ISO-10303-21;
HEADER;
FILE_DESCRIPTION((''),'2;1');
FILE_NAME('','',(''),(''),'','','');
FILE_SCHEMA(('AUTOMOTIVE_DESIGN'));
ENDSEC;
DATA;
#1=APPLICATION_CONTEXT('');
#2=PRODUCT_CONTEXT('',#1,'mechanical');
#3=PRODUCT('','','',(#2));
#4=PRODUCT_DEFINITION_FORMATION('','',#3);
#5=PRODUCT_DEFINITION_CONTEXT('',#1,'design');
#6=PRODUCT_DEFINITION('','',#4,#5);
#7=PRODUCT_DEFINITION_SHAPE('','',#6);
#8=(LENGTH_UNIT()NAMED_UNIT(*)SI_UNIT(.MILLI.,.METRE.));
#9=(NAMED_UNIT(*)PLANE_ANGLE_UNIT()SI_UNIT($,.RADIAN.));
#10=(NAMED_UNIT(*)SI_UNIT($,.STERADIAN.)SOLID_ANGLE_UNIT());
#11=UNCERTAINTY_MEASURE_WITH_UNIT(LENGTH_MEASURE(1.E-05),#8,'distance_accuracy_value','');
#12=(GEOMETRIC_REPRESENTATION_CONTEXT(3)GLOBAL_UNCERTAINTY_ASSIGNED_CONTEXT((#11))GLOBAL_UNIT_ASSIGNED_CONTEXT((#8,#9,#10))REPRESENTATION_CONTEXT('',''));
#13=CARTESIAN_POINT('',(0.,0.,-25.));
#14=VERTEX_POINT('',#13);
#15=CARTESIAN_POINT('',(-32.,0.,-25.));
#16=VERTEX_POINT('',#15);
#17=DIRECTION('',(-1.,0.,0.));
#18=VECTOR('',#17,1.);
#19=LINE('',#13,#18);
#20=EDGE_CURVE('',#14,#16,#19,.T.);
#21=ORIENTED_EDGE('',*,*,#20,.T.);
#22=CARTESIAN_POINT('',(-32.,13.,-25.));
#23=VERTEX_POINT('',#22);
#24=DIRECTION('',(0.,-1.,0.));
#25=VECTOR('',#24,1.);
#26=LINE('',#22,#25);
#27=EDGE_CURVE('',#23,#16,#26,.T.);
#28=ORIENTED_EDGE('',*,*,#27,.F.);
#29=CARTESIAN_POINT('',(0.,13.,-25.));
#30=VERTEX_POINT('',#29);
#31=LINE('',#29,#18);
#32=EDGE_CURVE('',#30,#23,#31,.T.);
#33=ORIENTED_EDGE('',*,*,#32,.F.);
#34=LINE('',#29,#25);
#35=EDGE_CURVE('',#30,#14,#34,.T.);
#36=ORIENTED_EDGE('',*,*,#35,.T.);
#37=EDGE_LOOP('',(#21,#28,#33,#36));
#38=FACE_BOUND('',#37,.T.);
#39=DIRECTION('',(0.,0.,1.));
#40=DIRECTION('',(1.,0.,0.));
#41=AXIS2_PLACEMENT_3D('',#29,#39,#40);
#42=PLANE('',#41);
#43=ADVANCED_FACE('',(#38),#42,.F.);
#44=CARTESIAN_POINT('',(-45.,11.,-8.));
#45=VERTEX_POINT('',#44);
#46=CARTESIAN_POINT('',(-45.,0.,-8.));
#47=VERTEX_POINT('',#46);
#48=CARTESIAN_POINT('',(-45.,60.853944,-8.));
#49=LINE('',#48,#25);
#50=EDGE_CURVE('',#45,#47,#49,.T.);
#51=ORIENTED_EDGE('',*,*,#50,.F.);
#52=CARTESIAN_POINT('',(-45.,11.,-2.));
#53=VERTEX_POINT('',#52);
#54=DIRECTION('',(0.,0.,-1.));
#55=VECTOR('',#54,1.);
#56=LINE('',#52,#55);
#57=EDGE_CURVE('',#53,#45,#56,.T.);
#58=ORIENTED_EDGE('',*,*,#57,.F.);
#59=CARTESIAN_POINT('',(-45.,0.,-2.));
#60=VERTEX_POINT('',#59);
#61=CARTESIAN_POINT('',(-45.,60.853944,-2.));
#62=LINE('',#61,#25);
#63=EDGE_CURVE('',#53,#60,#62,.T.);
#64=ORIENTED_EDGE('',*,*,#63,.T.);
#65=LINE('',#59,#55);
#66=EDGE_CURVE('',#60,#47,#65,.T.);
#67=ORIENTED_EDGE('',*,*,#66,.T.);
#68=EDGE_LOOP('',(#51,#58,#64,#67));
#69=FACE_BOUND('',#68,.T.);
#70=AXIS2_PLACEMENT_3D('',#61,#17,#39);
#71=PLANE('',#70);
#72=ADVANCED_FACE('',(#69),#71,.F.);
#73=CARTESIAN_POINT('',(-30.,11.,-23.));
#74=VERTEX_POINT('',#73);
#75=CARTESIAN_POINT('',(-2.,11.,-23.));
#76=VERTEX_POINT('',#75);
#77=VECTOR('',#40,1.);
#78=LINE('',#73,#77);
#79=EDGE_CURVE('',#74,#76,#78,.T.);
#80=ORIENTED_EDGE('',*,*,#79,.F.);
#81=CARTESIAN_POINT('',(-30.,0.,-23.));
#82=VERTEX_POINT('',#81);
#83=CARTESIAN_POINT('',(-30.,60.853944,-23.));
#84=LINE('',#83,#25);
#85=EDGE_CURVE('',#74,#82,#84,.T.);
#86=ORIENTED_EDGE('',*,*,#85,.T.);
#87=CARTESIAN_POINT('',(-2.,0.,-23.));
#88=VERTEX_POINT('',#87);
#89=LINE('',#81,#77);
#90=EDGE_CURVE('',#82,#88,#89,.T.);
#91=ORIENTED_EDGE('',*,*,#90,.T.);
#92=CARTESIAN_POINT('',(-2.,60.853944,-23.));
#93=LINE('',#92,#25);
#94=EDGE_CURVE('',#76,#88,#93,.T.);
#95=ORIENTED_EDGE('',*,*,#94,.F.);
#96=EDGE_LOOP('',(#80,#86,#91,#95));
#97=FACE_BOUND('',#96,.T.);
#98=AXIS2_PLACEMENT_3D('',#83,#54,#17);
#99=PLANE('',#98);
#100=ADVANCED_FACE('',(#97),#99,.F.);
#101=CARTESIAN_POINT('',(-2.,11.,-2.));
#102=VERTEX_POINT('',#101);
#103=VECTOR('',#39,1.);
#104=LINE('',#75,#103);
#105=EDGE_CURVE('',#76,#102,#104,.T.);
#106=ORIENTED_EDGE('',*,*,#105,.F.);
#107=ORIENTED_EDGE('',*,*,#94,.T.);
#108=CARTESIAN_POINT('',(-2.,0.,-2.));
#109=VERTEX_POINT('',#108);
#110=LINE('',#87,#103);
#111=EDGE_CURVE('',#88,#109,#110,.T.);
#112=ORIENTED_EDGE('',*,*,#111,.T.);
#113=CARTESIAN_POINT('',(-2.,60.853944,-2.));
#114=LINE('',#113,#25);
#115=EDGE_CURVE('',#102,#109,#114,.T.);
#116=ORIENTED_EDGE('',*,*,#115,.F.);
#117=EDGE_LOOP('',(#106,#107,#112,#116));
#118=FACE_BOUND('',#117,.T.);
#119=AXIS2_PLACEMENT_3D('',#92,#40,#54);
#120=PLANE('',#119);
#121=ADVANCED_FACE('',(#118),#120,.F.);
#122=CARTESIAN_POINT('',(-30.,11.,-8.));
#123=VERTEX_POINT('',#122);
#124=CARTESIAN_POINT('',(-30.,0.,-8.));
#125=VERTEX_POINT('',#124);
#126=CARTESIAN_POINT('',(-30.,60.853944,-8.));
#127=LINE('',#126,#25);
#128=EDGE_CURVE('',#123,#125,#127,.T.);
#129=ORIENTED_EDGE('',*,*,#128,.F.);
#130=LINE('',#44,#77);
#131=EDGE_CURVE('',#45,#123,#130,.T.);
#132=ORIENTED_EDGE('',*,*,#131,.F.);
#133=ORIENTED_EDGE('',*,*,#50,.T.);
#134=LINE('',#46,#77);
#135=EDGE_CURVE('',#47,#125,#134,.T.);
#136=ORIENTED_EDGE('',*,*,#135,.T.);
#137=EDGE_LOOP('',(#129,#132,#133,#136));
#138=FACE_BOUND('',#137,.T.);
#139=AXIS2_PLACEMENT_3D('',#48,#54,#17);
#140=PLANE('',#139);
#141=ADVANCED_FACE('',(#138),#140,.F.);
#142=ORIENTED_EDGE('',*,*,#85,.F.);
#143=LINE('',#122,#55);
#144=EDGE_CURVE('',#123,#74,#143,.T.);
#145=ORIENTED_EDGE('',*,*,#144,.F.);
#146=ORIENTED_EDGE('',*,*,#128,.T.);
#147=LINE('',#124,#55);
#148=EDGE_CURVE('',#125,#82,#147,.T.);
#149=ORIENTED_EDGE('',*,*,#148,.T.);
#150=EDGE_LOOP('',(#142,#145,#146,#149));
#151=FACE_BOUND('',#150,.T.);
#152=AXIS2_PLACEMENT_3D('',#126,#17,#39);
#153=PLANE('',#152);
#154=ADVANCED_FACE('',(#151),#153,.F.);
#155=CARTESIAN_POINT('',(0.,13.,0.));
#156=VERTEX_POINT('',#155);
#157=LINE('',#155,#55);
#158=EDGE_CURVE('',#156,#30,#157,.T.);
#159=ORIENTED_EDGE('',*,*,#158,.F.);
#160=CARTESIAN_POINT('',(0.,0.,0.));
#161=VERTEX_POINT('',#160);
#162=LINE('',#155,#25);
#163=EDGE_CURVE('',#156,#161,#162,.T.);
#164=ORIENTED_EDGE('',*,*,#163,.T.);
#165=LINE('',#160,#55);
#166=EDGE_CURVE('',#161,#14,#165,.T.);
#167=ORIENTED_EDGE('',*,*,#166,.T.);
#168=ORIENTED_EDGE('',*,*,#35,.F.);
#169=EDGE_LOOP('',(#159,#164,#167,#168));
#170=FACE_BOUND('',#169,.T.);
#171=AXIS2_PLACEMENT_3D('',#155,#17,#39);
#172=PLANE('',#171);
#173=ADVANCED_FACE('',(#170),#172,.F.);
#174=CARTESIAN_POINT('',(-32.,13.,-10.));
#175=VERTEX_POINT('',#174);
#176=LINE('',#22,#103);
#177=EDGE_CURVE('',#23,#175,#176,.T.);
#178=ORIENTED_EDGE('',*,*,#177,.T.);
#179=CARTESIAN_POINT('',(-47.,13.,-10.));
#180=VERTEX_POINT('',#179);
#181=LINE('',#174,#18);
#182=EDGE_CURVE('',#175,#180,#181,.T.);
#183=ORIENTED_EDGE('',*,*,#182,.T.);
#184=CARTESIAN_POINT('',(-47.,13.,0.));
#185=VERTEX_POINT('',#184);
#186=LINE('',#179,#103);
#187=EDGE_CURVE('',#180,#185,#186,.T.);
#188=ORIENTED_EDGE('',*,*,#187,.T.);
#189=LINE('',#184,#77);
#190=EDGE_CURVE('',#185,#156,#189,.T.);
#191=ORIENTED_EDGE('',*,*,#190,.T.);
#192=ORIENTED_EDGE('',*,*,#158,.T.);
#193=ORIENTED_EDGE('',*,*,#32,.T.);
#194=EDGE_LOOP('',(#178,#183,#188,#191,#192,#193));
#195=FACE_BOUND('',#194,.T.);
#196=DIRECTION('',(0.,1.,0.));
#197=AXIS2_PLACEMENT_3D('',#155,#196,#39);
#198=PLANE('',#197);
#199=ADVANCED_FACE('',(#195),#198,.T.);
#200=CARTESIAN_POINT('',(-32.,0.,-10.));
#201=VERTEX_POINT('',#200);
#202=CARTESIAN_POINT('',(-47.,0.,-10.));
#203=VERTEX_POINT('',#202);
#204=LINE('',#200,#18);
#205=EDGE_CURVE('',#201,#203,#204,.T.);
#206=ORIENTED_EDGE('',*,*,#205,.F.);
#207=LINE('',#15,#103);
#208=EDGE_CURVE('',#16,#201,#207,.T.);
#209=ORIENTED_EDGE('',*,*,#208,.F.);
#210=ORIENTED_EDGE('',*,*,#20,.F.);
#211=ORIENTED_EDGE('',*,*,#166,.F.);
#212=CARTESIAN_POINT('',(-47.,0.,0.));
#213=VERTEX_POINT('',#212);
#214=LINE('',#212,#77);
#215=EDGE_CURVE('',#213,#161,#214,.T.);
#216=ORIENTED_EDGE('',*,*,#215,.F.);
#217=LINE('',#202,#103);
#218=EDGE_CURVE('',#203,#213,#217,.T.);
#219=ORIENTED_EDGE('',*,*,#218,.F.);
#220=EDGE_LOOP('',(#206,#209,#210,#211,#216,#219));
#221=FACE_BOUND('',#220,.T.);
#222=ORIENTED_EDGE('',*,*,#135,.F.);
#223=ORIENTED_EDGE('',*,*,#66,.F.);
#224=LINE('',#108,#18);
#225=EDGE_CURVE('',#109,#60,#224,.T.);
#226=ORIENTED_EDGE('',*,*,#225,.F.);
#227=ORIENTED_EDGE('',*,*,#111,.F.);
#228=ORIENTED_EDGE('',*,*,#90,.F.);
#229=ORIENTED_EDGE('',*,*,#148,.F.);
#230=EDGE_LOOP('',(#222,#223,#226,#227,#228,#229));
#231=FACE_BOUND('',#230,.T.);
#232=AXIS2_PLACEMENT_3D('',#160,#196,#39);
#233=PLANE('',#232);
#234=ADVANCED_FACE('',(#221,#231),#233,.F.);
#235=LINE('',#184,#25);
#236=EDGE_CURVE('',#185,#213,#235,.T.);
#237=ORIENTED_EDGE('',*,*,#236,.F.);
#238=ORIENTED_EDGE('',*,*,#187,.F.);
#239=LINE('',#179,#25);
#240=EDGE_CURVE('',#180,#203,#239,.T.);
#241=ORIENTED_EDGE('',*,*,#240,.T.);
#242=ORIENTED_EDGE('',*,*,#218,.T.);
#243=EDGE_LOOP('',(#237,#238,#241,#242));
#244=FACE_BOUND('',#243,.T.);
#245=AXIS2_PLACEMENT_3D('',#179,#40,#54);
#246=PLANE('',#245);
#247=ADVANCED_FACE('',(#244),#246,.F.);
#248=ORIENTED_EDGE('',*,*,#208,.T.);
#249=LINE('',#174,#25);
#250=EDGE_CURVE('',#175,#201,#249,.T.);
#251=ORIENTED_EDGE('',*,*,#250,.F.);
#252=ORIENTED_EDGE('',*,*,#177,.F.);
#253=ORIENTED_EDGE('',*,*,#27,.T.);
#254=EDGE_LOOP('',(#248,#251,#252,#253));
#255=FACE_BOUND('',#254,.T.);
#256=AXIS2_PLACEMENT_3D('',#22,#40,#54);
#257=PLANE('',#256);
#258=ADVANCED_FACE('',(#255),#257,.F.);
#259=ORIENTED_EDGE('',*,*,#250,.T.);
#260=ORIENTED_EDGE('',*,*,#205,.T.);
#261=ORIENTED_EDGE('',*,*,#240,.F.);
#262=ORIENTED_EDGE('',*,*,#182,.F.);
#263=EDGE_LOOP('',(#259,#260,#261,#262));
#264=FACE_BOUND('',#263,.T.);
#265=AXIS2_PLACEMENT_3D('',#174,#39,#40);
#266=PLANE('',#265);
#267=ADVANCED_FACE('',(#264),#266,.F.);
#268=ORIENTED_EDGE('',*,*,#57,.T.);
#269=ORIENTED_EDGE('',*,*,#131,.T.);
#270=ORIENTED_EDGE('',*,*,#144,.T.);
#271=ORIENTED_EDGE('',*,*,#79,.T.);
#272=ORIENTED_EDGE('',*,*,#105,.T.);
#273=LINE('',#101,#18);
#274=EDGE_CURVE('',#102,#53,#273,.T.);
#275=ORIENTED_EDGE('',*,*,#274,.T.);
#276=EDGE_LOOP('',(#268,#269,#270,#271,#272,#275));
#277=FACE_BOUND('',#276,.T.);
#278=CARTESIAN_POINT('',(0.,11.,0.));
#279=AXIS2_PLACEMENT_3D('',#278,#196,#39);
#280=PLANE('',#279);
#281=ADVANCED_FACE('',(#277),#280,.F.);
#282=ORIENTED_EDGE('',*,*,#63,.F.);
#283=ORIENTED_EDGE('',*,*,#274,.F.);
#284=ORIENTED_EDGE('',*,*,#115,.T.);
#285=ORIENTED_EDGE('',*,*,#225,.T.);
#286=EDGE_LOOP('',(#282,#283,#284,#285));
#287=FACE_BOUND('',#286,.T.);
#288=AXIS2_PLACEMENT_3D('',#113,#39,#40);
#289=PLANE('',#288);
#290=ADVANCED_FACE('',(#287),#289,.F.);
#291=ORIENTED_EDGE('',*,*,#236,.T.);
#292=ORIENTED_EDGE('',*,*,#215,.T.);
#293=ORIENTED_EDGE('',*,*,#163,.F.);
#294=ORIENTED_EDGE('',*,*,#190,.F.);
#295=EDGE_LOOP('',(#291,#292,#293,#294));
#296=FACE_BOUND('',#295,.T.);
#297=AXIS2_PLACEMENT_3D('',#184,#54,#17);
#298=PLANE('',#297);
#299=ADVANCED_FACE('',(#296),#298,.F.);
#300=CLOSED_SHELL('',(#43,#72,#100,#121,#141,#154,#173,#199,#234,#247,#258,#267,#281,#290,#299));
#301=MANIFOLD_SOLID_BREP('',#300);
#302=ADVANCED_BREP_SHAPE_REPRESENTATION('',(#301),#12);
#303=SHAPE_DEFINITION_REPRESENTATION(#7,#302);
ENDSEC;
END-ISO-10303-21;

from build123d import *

# Parameters (mm, degrees)
EXTRUDE_1_DEPTH     = 13
CUT_EXTRUDE_1_DEPTH = 11


with BuildPart() as part:
    # 草图1 → 凸台-拉伸1 (new body)
    with BuildSketch(Plane(origin=(0, 0, 0), x_dir=(1, 0, 0), z_dir=(0, 1, 0))):
        Polygon((0, 0), (0, 25), (-32, 25), (-32, 10), (-47, 10), (-47, 0), align=None)
    extrude(amount=EXTRUDE_1_DEPTH)

    # 草图2 → 切除-拉伸1 (cut)
    with BuildSketch(Plane.XZ):
        Polygon((-2, -2), (-45, -2), (-45, -8), (-30, -8), (-30, -23), (-2, -23), align=None)
    extrude(amount=-CUT_EXTRUDE_1_DEPTH, mode=Mode.SUBTRACT)


solid = part.part
